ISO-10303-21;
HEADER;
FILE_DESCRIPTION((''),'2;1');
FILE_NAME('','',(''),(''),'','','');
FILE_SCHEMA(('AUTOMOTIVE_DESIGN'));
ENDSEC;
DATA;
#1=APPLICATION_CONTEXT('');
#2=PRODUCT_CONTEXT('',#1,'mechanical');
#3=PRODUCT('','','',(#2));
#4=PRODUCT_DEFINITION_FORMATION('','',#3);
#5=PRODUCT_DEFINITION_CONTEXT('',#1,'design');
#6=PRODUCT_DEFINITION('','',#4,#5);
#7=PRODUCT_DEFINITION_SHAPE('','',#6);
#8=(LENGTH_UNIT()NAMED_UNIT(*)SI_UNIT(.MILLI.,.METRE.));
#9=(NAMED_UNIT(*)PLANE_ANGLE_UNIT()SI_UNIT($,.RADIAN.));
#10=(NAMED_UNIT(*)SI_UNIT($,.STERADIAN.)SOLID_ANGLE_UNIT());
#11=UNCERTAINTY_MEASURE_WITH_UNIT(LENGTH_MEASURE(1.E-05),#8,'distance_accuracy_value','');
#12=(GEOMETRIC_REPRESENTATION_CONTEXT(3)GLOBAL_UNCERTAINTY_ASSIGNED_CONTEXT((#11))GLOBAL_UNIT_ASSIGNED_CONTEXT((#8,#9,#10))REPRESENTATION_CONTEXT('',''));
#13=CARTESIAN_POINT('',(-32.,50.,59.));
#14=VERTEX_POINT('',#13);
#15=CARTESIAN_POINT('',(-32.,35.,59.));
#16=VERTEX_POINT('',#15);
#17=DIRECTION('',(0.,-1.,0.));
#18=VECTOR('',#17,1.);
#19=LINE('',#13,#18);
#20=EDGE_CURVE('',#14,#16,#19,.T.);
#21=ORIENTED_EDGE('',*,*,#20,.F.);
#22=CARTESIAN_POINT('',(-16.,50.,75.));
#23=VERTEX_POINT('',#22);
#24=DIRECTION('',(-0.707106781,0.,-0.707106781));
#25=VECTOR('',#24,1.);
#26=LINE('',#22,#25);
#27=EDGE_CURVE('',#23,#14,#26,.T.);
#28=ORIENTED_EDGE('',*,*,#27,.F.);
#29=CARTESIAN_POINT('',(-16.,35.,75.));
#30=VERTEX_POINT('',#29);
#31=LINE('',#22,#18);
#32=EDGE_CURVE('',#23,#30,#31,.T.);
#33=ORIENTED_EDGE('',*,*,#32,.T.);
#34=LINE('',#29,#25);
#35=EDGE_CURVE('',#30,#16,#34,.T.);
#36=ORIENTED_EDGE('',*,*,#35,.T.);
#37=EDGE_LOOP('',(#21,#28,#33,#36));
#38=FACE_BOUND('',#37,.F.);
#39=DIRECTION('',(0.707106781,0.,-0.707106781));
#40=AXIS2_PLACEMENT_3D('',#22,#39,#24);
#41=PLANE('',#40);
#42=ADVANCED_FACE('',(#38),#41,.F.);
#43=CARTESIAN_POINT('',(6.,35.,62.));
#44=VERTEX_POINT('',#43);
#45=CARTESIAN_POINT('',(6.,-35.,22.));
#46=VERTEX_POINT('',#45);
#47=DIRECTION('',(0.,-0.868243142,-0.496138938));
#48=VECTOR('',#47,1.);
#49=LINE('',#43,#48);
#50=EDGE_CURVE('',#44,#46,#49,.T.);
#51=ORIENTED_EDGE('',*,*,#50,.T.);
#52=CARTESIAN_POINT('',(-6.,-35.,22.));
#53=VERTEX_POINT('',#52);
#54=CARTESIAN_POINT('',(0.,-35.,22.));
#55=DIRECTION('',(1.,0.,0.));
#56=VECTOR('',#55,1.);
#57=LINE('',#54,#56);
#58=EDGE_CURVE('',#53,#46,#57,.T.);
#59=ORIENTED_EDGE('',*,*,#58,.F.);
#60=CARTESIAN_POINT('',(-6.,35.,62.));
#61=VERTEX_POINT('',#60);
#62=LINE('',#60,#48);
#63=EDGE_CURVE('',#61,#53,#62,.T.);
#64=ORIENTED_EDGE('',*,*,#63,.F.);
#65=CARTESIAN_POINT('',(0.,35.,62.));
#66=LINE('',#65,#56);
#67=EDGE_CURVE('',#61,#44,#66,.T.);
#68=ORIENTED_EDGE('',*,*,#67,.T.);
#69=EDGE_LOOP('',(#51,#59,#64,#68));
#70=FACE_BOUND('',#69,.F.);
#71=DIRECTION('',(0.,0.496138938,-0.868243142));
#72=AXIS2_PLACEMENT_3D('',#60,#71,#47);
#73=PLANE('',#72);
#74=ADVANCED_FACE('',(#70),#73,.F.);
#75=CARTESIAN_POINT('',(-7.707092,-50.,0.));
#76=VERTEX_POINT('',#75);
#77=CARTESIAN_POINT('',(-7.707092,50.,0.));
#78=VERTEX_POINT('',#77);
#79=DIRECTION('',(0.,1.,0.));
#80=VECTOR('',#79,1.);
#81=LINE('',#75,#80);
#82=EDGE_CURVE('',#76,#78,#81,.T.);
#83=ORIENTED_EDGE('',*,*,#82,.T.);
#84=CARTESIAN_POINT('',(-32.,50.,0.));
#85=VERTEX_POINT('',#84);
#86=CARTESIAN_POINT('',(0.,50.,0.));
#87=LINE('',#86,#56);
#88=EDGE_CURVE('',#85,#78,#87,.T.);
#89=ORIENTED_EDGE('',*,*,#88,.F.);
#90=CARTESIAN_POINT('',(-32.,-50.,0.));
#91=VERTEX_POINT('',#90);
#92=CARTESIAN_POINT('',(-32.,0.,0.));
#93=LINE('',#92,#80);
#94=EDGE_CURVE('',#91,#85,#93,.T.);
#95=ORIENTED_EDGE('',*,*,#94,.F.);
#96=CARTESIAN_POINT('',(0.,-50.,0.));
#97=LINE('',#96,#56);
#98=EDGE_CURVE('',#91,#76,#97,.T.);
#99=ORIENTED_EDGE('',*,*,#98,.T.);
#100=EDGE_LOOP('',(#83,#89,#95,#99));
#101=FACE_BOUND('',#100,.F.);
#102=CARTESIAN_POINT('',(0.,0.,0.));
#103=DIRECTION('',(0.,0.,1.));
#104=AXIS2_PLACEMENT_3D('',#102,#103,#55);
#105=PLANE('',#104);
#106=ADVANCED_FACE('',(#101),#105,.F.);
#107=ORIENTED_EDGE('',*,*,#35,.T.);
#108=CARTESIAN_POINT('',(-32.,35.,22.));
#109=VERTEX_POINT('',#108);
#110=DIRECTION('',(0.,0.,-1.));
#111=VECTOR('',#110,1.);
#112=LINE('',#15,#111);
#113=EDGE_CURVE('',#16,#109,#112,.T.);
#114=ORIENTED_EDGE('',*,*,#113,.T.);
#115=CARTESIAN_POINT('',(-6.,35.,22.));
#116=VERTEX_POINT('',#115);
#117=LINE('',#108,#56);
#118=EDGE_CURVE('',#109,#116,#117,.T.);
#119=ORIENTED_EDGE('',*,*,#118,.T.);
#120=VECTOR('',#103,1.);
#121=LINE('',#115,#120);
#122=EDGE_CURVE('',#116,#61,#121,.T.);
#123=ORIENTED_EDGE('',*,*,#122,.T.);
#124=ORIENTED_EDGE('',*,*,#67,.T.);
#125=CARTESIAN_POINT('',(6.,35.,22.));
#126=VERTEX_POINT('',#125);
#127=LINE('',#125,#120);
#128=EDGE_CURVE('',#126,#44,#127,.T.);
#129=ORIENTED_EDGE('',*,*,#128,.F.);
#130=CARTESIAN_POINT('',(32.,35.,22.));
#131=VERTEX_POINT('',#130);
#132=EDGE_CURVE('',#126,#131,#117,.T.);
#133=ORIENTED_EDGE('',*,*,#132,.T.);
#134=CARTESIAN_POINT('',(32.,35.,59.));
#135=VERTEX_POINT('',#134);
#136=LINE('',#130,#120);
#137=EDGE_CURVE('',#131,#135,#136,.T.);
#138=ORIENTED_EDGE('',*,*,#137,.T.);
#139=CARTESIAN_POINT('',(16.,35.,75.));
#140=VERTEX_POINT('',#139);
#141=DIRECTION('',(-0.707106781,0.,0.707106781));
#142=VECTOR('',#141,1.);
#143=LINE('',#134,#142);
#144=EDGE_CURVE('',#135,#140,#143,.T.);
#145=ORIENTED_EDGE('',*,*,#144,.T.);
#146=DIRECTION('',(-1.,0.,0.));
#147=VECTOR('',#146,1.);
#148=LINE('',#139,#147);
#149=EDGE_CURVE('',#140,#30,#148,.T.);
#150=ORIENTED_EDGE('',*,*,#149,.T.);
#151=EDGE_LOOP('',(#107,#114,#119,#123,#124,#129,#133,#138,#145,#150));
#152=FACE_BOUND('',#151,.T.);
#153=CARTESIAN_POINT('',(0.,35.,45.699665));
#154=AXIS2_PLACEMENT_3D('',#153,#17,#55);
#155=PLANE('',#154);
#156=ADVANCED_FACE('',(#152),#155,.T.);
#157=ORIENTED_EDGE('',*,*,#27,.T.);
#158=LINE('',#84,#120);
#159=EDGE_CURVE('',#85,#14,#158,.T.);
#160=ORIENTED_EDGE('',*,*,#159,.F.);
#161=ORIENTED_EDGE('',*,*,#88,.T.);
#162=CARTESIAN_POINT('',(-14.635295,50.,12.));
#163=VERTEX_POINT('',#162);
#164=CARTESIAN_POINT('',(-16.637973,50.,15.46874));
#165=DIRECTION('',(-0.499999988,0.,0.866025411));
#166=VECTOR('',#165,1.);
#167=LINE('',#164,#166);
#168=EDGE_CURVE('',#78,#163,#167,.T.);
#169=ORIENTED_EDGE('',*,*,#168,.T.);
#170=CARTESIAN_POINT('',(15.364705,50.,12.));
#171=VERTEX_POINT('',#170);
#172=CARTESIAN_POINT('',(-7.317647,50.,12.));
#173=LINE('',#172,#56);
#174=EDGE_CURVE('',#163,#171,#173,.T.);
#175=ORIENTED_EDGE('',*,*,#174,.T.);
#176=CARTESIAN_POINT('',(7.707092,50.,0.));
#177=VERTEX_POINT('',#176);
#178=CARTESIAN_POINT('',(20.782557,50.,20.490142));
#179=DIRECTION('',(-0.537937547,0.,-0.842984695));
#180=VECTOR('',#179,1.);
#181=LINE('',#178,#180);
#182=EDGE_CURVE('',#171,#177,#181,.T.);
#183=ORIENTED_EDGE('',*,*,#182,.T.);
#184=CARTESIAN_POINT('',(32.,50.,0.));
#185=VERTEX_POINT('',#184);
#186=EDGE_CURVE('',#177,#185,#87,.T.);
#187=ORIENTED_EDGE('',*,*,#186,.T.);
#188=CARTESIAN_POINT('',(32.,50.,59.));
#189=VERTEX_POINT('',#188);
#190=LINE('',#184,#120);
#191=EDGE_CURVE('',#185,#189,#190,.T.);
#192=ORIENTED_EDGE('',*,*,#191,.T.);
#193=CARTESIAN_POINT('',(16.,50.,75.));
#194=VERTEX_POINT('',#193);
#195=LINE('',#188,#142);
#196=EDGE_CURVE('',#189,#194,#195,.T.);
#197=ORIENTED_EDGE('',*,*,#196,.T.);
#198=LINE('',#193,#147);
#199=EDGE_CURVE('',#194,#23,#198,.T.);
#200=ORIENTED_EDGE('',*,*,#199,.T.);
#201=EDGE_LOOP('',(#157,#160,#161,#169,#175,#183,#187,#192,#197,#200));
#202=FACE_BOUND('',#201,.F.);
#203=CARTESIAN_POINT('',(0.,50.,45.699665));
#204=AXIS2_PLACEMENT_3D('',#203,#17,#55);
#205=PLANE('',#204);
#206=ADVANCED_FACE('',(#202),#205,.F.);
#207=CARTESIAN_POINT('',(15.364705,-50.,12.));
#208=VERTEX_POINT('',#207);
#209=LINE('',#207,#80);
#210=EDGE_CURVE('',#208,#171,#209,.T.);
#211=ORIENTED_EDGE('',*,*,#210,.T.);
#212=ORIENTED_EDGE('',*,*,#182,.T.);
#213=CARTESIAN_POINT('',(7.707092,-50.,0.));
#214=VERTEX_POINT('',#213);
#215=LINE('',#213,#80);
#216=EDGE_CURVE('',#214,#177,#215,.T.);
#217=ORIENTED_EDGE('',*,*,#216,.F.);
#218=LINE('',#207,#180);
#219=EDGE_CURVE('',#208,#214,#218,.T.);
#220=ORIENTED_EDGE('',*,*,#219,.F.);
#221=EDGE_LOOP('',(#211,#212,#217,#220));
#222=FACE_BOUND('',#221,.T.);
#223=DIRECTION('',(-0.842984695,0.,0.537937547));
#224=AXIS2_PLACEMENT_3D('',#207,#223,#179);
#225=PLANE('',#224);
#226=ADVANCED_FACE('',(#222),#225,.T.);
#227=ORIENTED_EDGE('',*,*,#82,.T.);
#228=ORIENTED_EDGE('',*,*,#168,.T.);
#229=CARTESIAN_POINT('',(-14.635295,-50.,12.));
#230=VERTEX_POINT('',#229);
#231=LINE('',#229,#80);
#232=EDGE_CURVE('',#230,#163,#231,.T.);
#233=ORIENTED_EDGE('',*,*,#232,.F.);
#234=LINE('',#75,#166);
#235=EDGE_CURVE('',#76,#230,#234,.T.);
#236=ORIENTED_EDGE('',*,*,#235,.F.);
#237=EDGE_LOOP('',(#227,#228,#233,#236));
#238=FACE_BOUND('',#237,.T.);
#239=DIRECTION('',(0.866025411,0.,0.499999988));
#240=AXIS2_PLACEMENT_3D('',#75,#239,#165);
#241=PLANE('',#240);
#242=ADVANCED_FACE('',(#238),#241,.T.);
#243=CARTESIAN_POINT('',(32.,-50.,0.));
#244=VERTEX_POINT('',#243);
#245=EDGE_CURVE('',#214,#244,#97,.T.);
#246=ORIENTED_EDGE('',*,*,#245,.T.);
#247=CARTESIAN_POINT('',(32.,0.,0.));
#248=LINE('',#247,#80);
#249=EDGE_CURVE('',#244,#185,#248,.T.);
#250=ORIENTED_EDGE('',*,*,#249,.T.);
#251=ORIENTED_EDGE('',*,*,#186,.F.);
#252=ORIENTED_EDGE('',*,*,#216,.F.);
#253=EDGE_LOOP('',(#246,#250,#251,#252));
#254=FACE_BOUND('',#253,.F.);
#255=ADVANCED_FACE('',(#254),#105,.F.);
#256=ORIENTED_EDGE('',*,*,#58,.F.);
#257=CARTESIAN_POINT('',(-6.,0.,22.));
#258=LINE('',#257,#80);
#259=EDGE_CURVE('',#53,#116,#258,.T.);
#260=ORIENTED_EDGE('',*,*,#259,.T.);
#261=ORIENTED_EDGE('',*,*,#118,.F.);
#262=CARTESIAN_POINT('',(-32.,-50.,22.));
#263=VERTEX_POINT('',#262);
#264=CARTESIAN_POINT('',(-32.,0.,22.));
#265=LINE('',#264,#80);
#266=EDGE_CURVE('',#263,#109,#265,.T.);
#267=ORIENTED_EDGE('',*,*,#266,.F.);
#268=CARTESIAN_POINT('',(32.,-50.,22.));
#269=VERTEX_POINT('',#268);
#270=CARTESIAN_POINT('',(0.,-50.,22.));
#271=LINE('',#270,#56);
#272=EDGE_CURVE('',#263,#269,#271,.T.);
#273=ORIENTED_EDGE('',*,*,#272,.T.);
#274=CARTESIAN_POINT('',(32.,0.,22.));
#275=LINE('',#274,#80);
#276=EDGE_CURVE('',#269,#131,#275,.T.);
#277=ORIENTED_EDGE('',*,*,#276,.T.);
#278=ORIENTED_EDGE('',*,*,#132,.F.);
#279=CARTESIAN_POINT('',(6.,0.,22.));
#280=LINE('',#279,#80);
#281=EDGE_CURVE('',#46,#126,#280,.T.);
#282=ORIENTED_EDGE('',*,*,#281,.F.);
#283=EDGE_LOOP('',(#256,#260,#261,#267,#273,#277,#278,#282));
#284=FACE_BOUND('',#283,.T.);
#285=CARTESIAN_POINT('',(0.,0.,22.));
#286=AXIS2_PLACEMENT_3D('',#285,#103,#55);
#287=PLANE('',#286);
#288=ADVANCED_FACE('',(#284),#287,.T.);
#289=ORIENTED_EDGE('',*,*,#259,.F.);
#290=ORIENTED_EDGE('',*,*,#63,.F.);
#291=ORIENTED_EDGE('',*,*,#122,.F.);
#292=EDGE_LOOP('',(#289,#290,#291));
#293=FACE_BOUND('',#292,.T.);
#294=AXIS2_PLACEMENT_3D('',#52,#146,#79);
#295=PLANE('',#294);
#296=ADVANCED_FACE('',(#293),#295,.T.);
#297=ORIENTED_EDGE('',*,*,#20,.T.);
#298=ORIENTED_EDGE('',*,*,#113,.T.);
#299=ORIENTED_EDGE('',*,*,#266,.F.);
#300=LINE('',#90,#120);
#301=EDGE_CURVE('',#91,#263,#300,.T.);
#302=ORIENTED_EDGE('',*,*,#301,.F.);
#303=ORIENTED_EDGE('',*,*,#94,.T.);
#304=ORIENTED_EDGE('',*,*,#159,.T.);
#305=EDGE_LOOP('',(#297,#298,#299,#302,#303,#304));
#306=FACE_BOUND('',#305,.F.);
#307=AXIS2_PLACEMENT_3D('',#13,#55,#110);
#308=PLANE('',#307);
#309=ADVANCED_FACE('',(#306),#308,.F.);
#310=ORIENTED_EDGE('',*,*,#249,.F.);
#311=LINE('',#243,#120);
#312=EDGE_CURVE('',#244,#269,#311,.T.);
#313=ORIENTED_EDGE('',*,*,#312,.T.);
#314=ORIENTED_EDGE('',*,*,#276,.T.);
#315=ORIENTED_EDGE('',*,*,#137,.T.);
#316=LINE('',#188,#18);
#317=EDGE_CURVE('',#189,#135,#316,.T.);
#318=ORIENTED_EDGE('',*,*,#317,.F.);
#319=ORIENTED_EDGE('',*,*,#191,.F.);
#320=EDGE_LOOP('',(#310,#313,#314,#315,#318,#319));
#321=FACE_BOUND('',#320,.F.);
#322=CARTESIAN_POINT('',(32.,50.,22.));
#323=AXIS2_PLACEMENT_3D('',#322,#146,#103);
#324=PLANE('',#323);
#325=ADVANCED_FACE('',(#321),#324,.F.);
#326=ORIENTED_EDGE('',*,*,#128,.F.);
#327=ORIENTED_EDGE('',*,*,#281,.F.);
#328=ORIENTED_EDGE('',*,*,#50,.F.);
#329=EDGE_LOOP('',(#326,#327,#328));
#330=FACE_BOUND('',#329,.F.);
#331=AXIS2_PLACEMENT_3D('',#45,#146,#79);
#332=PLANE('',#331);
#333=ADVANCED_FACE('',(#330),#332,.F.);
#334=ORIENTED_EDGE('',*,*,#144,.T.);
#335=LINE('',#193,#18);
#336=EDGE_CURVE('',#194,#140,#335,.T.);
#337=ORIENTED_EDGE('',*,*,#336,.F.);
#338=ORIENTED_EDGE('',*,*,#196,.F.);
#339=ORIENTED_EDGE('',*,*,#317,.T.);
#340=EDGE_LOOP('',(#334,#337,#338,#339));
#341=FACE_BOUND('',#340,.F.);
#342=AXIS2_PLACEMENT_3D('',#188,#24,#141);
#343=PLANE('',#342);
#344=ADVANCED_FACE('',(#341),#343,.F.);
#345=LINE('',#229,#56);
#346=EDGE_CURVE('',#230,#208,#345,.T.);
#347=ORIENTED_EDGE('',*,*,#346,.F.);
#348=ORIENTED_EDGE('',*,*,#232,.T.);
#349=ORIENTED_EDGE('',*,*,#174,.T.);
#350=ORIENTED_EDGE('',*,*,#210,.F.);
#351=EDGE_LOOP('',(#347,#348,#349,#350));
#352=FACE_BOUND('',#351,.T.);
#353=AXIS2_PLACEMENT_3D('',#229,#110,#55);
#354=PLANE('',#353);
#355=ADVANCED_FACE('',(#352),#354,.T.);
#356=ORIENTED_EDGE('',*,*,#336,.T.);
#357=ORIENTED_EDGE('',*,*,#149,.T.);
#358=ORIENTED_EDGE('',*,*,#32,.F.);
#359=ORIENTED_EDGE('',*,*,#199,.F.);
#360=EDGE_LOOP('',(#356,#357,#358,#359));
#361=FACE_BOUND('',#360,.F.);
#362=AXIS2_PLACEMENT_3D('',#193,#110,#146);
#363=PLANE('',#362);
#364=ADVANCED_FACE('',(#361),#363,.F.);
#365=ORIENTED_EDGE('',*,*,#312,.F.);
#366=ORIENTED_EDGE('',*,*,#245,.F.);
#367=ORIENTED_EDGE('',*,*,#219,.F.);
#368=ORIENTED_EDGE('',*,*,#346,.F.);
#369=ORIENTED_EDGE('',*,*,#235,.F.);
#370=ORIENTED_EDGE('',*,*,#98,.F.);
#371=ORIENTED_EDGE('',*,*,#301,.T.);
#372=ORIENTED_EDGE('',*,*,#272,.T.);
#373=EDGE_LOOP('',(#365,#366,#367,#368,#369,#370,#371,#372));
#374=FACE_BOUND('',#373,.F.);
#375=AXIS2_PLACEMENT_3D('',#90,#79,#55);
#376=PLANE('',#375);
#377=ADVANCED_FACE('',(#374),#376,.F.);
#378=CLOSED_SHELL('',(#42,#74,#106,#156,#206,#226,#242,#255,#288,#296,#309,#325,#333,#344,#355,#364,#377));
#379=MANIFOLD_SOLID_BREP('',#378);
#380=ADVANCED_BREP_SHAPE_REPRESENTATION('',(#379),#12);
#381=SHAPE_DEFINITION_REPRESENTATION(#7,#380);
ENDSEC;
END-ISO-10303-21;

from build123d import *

# Parameters (mm, degrees)
SKETCH_W        = 64
SKETCH_H        = 100
PAD_DEPTH       = 22
PAD001_DEPTH    = 15
POCKET_DEPTH    = 100.001
SKETCH003_W     = 12
SKETCH003_H     = 70
PAD002_DEPTH    = 40
POCKET001_DEPTH = 12


with BuildPart() as part:
    # Sketch → Pad (new body)
    with BuildSketch(Plane.XY):
        Rectangle(SKETCH_W, SKETCH_H)
    extrude(amount=PAD_DEPTH)

    # Sketch001 (on Face1 of Pad) → Pad001 (join)
    with BuildSketch(Plane(origin=(0, 50, 0), x_dir=(-1, 0, 0), z_dir=(0, 1, 0))):
        Polygon((-32, 22), (-32, 59), (-16, 75), (16, 75), (32, 59), (32, 22), align=None)
    extrude(amount=-PAD001_DEPTH)

    # Sketch002 (on Face6 of Pad001) → Pocket (cut, through all)
    with BuildSketch(Plane.XZ.offset(50)):
        Polygon((-7.707092, 0), (-14.635295, 12), (15.364705, 12), (7.707092, 0), align=None)
    extrude(amount=-POCKET_DEPTH, mode=Mode.SUBTRACT)

    # Sketch003 (on Face12 of Pocket) → Pad002 (join)
    with BuildSketch(Plane.XY.offset(22)):
        Rectangle(SKETCH003_W, SKETCH003_H)
    extrude(amount=PAD002_DEPTH)

    # Sketch004 (on Face20 of Pad002) → Pocket001 (cut)
    with BuildSketch(Plane(origin=(-6, 0, 0), x_dir=(0, -1, 0), z_dir=(-1, 0, 0))):
        Polygon((-35, 62), (35, 22), (35, 62), align=None)
    extrude(amount=-POCKET001_DEPTH, mode=Mode.SUBTRACT)


solid = part.part
